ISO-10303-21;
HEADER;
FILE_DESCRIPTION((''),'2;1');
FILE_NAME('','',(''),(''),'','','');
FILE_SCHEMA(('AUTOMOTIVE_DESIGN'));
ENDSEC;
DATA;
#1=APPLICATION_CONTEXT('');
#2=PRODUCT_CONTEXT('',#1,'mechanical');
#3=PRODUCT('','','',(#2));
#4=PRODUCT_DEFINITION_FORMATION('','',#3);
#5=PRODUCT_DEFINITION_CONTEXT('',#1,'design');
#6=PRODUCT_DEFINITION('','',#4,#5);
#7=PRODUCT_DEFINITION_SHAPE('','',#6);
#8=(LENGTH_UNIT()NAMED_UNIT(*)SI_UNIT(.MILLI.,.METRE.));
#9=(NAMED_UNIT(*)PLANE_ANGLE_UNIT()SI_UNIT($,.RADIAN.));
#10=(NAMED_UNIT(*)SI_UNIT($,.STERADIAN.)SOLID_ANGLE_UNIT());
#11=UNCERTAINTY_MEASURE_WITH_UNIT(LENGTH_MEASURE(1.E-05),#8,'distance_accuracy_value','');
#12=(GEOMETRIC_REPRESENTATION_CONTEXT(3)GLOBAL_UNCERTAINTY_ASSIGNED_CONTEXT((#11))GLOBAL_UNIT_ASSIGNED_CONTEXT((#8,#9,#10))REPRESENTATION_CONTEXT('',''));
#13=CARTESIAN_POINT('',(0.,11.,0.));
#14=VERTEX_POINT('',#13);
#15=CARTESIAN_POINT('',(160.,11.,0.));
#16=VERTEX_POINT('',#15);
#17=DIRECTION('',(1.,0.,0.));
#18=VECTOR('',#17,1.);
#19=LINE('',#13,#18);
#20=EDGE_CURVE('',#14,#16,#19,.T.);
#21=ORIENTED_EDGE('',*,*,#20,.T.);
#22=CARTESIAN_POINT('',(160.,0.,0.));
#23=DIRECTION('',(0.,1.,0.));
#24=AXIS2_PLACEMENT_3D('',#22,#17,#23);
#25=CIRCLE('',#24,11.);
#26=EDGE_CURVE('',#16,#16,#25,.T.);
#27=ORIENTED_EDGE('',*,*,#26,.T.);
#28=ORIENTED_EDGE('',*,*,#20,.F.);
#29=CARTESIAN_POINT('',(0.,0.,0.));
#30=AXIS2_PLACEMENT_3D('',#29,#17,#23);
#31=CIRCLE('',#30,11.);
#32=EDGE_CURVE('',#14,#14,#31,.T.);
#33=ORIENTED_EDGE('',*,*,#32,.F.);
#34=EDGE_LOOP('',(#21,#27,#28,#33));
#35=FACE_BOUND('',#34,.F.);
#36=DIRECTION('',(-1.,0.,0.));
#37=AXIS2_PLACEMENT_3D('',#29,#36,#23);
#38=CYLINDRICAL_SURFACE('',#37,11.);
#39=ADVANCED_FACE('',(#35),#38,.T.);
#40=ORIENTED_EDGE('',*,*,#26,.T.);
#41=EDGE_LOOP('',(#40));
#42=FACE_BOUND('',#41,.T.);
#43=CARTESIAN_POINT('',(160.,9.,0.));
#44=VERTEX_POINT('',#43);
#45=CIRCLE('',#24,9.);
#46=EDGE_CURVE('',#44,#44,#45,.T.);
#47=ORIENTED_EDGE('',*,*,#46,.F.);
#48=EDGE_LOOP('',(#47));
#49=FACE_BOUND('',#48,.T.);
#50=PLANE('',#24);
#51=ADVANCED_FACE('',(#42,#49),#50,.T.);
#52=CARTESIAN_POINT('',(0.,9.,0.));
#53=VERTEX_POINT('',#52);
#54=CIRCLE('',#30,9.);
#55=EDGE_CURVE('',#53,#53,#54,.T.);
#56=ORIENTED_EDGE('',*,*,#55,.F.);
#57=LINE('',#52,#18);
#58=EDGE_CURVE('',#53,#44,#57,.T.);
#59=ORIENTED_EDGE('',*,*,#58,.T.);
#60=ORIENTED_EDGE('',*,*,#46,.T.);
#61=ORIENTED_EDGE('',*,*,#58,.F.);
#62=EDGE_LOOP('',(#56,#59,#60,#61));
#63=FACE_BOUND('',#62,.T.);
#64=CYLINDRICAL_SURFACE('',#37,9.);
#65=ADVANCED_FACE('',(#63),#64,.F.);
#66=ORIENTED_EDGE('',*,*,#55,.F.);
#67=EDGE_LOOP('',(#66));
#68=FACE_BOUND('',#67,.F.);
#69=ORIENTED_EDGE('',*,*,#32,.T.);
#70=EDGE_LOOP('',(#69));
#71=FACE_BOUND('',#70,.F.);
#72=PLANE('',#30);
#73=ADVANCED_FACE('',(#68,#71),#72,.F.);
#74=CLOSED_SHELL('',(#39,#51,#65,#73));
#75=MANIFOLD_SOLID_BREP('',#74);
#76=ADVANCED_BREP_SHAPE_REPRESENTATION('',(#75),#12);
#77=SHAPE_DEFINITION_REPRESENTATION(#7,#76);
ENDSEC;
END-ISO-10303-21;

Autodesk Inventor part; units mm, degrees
ref_plane "YZ Plane" through (0, 0, 0) normal (1, 0, 0) x (0, 1, 0)
ref_plane "XZ Plane" through (0, 0, 0) normal (0, 1, 0) x (-1, 0, 0)
ref_plane "XY Plane" through (0, 0, 0) normal (0, 0, 1) x (1, 0, 0)
sketch "Skizze1" plane through (0, 0, 0) normal (1, 0, 0) x (0, 1, 0)
  circle A0 centre (0, 0) radius 11
  circle A1 centre (0, 0) radius 9
  dimension "d0" = 22
  dimension "d1" = 2
extrude "Extrusion1" add sketch "Skizze1" along normal blind 160
properties part number "P_Carbon_Pipe_Back"
